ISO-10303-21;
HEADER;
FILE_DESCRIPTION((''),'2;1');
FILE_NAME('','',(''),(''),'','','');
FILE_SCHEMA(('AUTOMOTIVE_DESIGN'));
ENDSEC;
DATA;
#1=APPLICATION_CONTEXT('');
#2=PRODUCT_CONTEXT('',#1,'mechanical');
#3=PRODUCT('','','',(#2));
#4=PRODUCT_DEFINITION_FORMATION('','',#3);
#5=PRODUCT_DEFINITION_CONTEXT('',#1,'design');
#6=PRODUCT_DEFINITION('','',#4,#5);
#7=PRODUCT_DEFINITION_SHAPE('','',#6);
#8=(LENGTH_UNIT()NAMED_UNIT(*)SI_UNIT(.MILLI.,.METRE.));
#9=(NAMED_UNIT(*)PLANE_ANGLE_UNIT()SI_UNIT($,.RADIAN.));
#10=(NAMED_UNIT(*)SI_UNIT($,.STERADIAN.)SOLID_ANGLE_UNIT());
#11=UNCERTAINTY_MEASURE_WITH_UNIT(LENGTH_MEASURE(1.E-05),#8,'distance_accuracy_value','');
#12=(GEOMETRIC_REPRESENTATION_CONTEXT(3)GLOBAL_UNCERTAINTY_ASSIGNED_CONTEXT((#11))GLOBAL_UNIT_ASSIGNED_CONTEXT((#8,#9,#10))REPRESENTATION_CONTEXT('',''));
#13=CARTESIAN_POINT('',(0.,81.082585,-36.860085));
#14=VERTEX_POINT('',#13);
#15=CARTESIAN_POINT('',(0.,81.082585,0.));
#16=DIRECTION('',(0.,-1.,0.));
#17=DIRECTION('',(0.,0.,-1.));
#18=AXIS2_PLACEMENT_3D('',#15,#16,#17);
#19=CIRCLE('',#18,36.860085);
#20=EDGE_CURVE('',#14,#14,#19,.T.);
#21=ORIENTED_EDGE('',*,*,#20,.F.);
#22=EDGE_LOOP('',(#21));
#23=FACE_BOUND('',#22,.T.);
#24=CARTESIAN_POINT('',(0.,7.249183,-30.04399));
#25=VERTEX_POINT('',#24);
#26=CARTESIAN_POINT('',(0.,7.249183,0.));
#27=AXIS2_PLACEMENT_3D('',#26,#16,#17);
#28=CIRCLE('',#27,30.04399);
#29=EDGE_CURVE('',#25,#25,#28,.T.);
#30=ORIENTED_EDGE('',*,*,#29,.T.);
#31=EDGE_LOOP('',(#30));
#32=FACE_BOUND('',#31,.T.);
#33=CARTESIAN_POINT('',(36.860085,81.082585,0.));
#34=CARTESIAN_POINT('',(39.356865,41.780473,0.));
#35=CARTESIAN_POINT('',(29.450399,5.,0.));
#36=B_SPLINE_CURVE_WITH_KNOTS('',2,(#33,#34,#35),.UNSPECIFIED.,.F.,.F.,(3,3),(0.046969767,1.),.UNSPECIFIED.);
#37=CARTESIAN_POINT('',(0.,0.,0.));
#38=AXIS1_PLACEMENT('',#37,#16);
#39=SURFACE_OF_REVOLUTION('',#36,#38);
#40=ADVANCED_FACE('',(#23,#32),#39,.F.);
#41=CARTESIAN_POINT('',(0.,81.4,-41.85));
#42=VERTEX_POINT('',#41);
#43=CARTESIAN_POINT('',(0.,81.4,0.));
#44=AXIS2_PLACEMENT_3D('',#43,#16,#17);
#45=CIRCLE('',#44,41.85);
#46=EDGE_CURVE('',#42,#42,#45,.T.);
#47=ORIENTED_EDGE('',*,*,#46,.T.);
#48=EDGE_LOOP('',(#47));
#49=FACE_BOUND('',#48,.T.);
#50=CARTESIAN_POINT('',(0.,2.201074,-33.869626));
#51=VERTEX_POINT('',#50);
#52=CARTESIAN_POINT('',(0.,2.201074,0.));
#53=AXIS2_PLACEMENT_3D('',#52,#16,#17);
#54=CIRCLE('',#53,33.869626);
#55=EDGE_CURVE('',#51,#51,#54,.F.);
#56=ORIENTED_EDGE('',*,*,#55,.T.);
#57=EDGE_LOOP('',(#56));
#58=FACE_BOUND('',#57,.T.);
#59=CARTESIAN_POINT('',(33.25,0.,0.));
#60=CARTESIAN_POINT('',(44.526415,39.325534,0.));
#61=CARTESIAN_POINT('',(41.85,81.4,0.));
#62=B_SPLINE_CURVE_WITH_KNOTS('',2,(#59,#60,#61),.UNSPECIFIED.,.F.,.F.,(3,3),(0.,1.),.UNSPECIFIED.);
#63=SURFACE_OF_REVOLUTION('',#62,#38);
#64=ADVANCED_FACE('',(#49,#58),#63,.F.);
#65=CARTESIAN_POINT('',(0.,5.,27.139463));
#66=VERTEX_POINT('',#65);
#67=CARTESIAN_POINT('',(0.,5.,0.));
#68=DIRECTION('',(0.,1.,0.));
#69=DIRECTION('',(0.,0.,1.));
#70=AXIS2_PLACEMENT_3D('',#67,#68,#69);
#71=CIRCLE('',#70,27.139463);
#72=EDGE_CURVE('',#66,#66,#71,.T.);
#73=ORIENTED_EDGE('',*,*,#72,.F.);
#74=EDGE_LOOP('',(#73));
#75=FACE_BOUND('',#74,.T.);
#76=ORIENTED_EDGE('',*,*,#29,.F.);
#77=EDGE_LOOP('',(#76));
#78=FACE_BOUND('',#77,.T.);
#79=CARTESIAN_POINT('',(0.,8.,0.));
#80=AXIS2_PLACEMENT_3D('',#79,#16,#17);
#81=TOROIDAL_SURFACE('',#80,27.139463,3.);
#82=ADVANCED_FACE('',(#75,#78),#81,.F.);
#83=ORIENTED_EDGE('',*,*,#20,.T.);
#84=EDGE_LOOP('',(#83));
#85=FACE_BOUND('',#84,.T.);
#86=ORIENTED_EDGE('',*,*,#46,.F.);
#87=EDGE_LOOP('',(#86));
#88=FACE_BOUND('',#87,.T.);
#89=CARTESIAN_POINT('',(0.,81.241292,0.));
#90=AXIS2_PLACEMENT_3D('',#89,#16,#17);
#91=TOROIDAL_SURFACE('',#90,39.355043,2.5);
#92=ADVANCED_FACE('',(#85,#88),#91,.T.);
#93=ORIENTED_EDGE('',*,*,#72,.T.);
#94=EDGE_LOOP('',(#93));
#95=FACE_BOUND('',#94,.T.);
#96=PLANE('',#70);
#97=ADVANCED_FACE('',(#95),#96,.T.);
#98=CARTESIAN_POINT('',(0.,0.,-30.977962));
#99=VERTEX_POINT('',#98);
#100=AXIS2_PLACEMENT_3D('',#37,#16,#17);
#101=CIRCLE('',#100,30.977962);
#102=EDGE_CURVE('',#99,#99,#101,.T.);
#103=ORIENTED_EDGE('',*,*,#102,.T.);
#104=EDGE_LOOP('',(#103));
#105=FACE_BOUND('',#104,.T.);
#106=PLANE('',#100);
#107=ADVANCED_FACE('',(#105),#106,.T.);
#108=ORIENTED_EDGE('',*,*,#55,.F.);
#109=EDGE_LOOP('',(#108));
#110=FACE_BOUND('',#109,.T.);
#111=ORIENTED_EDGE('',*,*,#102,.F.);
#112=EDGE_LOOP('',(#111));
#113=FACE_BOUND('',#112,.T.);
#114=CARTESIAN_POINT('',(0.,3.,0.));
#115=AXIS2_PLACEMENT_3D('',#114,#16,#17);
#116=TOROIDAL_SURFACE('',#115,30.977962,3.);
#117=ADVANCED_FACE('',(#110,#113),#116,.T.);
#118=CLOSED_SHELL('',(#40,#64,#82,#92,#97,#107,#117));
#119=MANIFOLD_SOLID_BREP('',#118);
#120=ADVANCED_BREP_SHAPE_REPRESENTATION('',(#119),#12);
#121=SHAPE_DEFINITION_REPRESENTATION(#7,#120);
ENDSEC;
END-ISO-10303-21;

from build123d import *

# Parameters (mm, degrees)
FILLET1_R = 3


with BuildPart() as part:
    # Sketch1 → Revolve1 (revolve)
    with BuildSketch(Plane.XY, mode=Mode.PRIVATE) as revolve1_sk:
        with BuildLine():
            Line((0, 0), (33.25, 0))
            add(Edge.make_bspline(
                [(33.25, 0), (44.526415367, 39.325533825), (41.85, 81.4)],
                knots=[0, 0, 0, 1, 1, 1], degree=2))
            ThreePointArc((41.85, 81.4), (39.196335007, 83.736249581), (36.860085426, 81.082584587))
            add(Edge.make_bspline(
                [(29.450398717, 5), (39.356864782, 41.780473165), (36.860085426, 81.082584587)],
                knots=[0.046969767, 0.046969767, 0.046969767, 1, 1, 1], degree=2))
            Line((29.450398717, 5), (0, 5))
            Line((0, 5), (0, 0))
        make_face()
    revolve(revolve1_sk.sketch.rotate(Axis((0, 0, 0), (0, 1, 0)), 90), axis=Axis((0, 0, 0), (0, 1, 0)))

    # Fillet1
    fillet1_edges = [part.edges().sort_by_distance(p)[0] for p in [
        (0, 0, 33.25),
        (0, 5, 29.450398717),
    ]]
    fillet(fillet1_edges, radius=FILLET1_R)


solid = part.part
